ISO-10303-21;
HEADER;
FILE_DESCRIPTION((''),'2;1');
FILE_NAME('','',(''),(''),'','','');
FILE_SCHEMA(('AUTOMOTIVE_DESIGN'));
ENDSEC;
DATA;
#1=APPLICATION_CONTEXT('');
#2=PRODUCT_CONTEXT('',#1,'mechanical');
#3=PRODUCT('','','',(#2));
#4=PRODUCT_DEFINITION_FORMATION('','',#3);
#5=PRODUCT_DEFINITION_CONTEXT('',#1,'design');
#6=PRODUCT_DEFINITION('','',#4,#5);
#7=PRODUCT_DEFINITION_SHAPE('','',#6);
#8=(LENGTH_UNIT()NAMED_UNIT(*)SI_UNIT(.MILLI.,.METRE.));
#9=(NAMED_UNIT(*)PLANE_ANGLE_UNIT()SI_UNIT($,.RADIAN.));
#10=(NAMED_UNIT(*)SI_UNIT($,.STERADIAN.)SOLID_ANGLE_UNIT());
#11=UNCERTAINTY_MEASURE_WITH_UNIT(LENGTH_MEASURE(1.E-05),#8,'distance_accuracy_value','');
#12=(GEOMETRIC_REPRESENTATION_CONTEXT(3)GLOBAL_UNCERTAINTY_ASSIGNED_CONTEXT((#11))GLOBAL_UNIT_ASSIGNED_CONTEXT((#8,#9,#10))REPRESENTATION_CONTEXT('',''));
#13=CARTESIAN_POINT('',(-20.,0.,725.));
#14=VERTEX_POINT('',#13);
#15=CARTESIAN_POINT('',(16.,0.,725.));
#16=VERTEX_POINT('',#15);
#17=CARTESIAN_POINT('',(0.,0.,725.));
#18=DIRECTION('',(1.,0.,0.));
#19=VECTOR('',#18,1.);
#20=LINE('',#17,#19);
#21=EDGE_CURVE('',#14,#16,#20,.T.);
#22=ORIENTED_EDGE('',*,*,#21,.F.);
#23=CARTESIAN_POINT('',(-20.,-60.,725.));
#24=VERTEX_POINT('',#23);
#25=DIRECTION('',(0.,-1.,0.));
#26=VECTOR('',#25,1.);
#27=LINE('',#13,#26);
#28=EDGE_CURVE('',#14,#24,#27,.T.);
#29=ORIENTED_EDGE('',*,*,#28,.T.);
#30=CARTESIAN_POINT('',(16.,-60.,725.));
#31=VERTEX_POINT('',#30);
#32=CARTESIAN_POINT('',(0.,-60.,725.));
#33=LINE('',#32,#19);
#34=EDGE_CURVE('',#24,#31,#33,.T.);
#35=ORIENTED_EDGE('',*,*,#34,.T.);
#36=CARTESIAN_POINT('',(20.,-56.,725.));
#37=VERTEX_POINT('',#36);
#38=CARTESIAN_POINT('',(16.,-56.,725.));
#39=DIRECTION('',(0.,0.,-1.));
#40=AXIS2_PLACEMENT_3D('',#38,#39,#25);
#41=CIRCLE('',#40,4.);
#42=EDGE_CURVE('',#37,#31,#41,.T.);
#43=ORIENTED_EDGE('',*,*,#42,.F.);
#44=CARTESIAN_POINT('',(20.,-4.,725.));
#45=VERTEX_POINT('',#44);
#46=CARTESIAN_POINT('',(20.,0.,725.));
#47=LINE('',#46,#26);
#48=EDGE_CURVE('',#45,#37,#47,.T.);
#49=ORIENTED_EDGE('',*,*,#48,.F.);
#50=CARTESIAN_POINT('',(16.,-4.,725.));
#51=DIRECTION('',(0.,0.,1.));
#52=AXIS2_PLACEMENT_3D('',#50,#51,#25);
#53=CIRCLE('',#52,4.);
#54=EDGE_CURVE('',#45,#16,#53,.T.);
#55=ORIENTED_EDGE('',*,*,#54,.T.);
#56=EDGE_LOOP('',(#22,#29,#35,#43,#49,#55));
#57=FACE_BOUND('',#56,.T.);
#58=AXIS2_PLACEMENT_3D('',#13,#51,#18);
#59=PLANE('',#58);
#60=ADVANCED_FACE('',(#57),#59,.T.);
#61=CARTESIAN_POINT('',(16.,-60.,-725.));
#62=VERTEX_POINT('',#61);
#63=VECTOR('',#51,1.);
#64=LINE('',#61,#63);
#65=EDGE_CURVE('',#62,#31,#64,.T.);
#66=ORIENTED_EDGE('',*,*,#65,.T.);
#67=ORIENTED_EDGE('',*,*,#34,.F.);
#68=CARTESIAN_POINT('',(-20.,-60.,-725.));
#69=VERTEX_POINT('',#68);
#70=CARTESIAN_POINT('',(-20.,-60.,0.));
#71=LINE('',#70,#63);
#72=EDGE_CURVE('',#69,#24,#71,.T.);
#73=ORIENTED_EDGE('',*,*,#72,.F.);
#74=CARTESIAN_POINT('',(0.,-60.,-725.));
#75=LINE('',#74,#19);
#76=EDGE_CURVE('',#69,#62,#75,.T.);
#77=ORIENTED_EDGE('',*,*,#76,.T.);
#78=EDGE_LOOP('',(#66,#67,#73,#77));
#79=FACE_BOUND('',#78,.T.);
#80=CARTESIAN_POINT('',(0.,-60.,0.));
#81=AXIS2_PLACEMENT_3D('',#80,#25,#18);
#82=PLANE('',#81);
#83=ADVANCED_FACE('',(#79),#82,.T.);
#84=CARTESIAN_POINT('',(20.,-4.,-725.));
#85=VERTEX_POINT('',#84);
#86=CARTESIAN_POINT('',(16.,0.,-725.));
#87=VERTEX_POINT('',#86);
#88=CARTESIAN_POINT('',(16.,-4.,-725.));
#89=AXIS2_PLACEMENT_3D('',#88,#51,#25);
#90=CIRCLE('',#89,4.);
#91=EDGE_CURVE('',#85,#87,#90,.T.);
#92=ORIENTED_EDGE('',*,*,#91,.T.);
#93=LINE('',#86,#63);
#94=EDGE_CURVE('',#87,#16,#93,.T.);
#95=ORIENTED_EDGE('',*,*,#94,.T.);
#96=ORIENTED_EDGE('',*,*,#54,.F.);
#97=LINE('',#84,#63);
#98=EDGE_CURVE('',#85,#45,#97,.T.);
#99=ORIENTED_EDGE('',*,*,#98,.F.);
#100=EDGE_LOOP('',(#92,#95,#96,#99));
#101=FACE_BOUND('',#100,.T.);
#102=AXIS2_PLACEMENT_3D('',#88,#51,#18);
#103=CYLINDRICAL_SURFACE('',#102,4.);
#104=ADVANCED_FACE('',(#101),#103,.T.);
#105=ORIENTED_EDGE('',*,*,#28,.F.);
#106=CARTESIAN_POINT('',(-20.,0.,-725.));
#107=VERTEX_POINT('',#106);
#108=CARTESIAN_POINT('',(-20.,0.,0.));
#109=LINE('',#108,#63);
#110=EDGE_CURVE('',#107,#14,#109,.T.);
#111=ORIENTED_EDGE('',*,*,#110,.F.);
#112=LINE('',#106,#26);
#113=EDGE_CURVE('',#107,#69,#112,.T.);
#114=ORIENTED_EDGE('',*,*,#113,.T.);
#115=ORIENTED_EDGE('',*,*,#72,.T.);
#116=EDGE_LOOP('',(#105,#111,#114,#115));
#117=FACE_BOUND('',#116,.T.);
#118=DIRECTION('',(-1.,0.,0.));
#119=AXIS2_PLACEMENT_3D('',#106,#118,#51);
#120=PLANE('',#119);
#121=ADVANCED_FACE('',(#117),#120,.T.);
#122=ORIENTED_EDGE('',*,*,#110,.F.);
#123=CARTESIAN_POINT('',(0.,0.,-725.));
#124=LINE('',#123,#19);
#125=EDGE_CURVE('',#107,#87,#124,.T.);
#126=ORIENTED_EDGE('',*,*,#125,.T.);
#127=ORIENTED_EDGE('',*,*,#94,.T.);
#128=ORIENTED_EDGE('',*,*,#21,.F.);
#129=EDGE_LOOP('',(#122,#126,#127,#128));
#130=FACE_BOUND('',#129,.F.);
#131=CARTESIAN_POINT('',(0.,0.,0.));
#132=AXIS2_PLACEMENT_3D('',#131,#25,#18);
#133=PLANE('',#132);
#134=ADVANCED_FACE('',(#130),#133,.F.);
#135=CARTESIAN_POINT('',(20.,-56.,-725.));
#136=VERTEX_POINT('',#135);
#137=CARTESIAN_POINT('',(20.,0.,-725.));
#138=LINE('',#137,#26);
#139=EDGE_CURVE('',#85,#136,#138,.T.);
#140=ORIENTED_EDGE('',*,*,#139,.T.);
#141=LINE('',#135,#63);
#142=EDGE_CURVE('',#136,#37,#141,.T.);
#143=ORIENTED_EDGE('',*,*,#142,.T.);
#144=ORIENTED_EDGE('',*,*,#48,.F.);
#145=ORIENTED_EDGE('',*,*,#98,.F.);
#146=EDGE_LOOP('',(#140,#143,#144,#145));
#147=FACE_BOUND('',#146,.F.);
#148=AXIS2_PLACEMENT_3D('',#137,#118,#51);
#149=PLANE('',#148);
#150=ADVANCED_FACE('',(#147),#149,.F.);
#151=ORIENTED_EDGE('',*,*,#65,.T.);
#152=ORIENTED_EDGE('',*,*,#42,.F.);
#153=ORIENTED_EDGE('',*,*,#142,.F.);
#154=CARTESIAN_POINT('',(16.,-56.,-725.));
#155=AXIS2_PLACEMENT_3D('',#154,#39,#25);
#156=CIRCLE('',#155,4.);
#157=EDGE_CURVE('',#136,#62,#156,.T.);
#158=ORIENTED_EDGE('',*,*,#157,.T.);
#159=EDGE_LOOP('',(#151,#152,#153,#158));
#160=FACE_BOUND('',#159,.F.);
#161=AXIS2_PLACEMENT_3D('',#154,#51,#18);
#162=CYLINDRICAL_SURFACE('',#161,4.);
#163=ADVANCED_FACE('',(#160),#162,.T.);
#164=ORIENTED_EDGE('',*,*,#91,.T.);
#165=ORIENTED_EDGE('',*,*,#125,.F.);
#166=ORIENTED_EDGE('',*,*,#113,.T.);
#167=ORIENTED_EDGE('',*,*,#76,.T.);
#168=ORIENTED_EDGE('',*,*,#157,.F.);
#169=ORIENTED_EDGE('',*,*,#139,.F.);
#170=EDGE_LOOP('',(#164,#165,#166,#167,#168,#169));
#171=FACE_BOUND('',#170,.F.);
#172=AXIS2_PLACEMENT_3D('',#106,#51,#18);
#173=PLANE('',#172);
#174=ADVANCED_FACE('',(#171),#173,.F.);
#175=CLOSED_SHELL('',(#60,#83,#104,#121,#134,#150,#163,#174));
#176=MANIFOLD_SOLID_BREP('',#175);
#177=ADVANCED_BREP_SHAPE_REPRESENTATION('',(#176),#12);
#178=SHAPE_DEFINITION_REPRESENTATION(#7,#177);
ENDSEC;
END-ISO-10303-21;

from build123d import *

# Parameters (mm, degrees)
F0_W     = 40
F0_H     = 1450
F1_DEPTH = 60
F2_R     = 4
F3_R     = 4


with BuildPart() as f1:
    # F0 (on Front) → F1 (new body)
    with BuildSketch(Plane.XZ):
        Rectangle(F0_W, F0_H)
    extrude(amount=F1_DEPTH)

    # F2
    f2_edges = [f1.edges().sort_by_distance(p)[0] for p in [
        (20, -60, 0),
    ]]
    fillet(f2_edges, radius=F2_R)

    # F3
    f3_edges = [f1.edges().sort_by_distance(p)[0] for p in [
        (20, 0, 0),
    ]]
    fillet(f3_edges, radius=F3_R)


solid = f1.part
